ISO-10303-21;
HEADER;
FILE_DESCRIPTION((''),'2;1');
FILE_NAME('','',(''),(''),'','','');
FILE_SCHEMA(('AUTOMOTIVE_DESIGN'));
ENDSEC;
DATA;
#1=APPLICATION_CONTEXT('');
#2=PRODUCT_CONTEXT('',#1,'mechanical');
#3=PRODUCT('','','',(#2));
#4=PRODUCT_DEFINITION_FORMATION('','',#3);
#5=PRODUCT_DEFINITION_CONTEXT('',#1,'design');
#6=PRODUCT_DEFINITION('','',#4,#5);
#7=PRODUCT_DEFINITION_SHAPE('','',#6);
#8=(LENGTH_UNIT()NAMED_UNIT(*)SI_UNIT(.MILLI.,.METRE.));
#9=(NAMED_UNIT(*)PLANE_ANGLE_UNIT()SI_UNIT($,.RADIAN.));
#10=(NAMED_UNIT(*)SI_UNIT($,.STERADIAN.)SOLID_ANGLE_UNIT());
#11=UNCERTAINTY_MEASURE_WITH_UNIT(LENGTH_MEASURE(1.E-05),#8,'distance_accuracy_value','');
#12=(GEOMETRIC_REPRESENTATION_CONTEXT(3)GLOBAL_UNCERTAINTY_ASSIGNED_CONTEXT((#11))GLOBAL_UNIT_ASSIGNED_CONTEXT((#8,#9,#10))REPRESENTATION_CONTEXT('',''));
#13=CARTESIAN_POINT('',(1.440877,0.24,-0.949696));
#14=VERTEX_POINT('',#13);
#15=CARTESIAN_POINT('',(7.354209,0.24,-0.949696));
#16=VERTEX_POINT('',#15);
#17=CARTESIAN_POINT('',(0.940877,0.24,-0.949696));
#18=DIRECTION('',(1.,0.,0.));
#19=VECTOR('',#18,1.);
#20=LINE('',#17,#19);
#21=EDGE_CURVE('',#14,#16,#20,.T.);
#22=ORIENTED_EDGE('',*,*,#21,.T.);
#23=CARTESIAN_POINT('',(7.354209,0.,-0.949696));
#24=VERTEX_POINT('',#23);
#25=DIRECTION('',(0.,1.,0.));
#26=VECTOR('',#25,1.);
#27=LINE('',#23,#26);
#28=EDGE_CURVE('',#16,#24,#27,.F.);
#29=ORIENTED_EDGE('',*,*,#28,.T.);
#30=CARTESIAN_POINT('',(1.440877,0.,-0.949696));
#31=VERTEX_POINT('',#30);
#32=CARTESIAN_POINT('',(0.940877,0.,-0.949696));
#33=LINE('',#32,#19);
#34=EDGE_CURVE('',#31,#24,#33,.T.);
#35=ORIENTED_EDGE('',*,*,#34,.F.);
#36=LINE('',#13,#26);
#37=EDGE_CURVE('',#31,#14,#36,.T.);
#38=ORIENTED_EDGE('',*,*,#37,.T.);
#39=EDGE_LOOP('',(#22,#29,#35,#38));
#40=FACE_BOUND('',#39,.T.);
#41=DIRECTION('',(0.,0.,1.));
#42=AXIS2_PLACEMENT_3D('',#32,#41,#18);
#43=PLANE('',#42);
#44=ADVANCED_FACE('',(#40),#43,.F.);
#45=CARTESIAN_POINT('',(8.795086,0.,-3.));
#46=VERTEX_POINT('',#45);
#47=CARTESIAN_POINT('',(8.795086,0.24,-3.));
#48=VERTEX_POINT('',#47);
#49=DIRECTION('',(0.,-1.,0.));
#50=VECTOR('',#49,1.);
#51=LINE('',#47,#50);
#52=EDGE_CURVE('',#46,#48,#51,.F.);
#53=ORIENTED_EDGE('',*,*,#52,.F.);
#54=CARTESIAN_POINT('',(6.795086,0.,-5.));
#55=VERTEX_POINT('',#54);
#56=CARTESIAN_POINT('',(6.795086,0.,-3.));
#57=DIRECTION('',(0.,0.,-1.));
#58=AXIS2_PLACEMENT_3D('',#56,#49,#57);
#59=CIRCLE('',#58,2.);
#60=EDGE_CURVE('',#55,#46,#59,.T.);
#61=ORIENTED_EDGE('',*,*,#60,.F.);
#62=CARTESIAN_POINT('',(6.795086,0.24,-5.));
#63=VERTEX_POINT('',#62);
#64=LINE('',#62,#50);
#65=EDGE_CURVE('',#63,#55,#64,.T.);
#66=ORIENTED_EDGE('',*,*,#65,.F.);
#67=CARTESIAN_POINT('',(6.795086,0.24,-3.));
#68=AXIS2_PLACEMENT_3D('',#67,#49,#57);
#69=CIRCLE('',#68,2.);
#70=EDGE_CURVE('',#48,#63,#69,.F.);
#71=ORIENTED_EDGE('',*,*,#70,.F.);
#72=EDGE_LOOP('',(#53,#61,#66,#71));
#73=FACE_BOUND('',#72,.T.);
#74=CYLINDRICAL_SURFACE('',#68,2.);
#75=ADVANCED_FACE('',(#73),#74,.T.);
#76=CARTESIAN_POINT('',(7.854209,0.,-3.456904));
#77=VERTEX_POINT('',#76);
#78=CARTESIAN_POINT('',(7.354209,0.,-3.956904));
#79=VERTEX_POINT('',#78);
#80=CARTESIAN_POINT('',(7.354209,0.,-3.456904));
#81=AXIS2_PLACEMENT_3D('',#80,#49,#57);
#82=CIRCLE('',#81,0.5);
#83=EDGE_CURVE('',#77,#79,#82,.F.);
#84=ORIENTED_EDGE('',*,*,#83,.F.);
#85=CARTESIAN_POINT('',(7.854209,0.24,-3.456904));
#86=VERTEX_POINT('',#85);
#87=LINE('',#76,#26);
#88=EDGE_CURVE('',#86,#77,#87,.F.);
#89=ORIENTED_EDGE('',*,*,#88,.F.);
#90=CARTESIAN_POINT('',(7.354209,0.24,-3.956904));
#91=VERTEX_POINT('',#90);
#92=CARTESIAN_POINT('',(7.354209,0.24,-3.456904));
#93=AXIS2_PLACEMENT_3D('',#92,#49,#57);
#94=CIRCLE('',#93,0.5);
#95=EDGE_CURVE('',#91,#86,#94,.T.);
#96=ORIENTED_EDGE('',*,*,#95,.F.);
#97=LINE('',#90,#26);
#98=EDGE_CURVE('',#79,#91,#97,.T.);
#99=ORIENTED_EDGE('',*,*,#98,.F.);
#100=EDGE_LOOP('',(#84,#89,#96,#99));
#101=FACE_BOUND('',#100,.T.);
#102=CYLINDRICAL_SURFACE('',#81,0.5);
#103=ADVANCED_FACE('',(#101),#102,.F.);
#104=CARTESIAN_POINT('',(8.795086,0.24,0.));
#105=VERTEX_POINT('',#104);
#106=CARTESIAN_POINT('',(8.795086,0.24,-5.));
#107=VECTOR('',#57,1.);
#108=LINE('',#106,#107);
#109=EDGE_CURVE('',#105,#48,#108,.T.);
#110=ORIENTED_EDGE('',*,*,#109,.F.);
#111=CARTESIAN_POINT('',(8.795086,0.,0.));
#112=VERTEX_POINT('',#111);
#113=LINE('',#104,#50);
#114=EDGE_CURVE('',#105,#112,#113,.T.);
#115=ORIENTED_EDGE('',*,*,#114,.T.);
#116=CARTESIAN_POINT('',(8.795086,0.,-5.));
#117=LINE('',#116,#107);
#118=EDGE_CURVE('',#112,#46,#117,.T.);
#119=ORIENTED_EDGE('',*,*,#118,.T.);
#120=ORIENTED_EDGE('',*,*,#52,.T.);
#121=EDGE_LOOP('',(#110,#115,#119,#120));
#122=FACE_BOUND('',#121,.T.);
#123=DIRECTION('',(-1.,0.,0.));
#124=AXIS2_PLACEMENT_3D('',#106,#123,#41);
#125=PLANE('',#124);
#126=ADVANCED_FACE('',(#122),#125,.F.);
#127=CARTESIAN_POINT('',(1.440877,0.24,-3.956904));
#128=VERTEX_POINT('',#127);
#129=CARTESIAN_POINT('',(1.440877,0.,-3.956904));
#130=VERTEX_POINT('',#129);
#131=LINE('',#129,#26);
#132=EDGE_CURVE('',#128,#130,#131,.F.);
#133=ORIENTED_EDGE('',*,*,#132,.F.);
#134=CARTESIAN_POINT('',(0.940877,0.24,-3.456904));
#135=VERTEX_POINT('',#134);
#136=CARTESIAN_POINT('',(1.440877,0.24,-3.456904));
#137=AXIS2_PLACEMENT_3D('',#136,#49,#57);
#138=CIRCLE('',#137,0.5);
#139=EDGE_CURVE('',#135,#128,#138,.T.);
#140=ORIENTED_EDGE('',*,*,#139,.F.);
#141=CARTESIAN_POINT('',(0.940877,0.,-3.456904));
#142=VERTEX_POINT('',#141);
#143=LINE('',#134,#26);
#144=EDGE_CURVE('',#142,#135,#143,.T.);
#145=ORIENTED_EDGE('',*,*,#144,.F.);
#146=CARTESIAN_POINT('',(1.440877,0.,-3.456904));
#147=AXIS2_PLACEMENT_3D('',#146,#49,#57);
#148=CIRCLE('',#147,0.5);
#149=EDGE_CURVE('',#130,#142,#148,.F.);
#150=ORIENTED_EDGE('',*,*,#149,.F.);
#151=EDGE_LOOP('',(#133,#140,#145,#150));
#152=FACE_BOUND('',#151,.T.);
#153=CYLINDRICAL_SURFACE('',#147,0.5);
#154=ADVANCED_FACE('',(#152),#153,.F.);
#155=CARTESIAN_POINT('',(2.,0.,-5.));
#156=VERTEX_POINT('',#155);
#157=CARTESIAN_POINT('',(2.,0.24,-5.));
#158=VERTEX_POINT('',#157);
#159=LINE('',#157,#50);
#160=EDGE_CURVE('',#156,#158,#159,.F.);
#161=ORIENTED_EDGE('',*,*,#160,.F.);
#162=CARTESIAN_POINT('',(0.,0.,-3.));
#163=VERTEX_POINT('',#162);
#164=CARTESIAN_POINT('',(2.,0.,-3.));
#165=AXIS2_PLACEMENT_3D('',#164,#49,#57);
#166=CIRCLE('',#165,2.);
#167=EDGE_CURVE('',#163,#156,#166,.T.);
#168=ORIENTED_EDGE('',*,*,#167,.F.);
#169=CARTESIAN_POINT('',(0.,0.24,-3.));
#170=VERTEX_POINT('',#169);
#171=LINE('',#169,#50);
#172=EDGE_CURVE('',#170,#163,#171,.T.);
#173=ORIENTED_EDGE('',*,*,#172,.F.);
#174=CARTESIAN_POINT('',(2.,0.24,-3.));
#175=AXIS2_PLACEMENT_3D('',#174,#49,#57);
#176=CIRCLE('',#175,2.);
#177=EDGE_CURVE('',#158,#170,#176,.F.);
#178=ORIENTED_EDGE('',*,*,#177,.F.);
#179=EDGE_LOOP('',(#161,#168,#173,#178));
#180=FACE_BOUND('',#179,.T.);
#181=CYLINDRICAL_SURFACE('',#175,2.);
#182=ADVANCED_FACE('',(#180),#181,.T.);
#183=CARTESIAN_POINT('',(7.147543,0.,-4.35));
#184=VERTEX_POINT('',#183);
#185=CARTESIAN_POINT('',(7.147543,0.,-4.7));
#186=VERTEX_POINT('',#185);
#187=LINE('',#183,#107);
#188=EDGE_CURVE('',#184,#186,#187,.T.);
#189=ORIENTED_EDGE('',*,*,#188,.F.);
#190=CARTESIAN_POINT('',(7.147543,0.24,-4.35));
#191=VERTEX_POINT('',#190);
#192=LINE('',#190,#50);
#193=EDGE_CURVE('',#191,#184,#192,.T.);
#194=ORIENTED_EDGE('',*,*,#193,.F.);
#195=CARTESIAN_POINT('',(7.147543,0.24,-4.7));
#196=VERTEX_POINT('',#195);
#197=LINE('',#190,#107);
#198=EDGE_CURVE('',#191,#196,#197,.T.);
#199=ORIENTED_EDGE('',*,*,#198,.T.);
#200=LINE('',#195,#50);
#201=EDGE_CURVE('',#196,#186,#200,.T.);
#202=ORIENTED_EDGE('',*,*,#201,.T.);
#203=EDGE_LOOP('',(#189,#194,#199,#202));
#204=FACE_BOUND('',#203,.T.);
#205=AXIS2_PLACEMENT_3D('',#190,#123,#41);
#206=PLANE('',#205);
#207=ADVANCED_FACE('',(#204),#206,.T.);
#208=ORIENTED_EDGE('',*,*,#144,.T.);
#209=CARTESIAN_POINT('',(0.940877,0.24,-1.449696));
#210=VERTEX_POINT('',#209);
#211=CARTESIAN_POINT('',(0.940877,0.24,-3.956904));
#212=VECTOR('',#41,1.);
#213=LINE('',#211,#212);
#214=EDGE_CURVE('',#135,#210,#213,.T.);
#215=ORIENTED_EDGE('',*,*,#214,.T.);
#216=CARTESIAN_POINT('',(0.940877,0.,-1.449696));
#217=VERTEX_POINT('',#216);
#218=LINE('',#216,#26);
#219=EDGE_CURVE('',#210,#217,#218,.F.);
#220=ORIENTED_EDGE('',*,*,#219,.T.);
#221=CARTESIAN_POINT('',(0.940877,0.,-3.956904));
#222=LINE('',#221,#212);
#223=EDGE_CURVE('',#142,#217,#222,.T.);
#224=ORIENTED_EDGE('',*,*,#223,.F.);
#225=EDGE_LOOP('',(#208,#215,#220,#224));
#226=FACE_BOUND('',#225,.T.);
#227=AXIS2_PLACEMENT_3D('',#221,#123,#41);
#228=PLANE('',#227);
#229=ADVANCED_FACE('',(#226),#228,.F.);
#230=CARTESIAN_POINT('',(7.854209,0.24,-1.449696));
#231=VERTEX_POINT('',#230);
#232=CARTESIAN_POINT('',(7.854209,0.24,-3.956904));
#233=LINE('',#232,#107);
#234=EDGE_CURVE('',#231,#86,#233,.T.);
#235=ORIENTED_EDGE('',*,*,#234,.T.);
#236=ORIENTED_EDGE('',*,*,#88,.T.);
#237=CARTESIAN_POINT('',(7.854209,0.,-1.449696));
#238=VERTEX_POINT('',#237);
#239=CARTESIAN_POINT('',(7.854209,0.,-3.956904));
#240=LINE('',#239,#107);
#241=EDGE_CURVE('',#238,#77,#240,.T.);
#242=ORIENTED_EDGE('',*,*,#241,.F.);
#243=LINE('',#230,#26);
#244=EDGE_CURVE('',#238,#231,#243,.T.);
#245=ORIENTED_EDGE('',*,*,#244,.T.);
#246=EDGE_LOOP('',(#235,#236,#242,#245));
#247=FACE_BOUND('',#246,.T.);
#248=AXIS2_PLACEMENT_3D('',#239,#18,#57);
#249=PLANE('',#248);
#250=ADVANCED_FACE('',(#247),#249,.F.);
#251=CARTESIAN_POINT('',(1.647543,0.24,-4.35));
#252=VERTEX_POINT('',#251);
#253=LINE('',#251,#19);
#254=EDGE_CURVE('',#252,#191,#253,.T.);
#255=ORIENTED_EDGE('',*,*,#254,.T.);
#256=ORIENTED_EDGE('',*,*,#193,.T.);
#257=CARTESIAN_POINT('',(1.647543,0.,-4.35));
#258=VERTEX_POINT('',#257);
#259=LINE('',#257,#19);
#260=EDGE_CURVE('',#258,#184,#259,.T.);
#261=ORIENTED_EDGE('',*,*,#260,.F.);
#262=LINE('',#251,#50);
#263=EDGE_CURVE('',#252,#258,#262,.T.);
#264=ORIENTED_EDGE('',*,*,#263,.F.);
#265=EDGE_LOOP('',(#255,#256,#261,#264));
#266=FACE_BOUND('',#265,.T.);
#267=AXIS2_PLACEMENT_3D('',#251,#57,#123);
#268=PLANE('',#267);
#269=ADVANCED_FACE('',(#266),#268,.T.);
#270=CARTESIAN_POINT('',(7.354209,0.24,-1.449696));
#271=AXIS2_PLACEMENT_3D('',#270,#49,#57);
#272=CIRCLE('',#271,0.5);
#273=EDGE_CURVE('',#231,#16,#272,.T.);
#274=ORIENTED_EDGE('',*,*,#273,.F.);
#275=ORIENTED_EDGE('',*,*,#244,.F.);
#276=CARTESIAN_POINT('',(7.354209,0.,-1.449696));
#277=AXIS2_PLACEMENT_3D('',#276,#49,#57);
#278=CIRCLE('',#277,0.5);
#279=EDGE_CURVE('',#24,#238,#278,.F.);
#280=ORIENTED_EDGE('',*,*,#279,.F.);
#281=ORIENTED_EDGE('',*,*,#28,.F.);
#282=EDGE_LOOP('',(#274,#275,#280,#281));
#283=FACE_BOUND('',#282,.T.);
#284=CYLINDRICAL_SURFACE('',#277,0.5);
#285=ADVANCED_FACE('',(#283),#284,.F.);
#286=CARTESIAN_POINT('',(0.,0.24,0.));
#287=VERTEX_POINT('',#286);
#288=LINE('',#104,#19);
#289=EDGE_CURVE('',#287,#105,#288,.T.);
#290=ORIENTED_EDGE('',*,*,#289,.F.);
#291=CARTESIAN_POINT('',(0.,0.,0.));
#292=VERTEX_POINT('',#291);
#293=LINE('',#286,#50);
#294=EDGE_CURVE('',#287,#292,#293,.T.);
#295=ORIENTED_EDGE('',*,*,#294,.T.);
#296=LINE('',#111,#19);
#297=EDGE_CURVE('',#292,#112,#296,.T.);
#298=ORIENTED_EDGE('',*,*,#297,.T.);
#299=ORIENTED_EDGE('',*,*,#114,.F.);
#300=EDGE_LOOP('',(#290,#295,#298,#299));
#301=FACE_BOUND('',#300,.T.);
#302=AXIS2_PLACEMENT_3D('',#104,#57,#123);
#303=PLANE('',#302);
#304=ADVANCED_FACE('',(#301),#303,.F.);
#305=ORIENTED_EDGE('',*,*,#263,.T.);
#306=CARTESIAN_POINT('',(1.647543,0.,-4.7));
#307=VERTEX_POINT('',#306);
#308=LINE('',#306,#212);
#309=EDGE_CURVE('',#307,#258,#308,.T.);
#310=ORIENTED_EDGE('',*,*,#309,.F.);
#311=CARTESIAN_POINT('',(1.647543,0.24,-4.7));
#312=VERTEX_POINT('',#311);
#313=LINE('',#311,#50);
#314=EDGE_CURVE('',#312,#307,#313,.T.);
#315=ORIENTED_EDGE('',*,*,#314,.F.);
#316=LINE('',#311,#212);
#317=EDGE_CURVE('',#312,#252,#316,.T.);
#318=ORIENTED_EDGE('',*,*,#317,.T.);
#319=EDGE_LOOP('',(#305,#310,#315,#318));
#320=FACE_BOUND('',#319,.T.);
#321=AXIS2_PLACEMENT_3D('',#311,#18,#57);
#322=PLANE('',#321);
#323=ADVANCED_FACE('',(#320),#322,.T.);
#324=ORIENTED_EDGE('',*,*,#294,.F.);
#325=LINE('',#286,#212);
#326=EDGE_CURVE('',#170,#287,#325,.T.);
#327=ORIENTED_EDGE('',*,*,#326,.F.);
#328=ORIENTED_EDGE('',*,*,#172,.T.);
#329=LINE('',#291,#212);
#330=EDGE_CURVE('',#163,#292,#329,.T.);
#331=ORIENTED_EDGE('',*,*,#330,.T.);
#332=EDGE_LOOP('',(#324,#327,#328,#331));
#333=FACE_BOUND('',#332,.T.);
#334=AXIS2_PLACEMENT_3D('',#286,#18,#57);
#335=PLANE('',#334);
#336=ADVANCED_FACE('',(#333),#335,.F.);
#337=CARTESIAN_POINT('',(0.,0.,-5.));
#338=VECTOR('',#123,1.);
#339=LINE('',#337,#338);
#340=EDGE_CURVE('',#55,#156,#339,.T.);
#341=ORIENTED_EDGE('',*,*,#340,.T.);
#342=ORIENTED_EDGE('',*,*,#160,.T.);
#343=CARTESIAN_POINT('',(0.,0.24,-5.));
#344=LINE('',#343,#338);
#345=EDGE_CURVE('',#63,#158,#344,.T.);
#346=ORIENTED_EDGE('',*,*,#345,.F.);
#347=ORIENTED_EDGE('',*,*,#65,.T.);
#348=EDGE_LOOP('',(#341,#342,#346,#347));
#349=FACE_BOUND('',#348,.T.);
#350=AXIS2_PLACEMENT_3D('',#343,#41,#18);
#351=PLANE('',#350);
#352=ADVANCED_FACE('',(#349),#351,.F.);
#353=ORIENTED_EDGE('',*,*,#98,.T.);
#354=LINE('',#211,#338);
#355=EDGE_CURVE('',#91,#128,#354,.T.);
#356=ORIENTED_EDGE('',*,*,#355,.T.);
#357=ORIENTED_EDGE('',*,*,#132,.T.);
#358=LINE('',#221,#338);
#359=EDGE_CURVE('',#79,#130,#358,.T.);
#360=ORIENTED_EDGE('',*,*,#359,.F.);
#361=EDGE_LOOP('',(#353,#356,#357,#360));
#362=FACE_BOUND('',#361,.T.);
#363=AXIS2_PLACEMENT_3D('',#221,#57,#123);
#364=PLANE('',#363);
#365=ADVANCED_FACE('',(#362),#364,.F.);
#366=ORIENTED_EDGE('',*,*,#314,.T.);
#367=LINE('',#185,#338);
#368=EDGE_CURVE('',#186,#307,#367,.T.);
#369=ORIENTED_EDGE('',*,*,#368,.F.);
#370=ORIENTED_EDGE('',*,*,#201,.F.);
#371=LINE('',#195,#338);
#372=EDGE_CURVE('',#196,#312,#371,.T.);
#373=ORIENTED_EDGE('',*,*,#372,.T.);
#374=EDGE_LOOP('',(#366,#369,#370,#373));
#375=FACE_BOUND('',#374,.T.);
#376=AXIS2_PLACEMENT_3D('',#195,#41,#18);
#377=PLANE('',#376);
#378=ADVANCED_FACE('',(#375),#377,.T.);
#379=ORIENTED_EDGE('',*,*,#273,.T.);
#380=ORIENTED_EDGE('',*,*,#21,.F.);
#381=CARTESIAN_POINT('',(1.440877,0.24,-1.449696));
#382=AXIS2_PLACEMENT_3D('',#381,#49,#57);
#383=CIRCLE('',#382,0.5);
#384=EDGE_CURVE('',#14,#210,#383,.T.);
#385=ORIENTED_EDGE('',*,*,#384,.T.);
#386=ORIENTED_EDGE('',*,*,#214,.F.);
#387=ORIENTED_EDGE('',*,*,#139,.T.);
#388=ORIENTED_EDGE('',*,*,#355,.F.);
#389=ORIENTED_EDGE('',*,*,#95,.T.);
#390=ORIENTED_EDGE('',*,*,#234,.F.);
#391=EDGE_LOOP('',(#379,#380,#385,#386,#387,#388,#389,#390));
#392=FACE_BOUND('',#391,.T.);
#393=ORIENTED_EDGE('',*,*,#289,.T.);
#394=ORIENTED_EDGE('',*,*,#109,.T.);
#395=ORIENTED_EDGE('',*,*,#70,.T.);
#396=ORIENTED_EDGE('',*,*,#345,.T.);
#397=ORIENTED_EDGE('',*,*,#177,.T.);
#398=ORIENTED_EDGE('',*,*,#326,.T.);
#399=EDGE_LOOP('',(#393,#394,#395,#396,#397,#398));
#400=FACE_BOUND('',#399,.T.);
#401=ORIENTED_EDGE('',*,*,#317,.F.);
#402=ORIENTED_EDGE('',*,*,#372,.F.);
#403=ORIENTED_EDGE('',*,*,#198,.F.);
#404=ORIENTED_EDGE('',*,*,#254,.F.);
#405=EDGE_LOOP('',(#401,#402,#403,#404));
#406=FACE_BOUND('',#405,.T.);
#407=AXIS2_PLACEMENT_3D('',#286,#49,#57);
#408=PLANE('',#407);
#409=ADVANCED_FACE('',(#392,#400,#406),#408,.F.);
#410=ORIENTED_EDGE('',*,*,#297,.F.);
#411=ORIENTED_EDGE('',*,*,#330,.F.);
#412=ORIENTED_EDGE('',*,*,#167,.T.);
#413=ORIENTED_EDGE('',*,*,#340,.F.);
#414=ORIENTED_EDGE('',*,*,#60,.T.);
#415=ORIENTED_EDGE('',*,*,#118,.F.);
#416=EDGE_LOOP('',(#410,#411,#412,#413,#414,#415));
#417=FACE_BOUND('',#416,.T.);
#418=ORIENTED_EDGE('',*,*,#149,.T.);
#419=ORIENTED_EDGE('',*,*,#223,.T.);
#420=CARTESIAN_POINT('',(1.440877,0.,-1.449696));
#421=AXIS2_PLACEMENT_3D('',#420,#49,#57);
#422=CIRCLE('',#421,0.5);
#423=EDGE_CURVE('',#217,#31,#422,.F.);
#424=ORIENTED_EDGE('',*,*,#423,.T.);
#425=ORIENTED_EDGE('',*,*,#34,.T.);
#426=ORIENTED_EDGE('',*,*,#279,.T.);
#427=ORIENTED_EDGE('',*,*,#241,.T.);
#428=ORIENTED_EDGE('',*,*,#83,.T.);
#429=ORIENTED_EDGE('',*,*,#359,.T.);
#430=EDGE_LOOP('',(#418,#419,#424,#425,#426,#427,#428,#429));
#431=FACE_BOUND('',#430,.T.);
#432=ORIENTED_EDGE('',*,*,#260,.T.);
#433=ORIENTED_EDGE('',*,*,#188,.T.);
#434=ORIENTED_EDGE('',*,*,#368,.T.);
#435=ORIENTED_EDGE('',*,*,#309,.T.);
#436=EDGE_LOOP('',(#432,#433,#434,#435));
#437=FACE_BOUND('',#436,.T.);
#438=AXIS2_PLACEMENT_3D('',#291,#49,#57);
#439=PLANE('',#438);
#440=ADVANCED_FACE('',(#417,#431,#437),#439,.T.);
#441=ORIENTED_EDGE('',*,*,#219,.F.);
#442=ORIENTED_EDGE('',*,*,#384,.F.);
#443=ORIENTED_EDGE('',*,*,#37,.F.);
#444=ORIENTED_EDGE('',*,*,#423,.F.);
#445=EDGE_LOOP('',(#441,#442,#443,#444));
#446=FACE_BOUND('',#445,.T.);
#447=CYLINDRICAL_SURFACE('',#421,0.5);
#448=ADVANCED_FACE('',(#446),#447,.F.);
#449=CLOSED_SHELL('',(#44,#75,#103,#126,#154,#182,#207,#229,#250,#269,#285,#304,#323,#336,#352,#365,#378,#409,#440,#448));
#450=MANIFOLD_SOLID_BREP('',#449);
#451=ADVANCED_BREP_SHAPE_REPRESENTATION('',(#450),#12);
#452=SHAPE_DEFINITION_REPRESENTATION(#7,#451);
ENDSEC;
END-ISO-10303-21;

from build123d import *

# Parameters (mm, degrees)
SKETCH1_W           = 8.795086316
SKETCH1_H           = 5
SKETCH1_W_2         = 5.5
SKETCH1_H_2         = 0.35
BOSS_EXTRUDE1_DEPTH = 0.24
FILLET1_R           = 2
SKETCH2_W           = 6.913332482
SKETCH2_H           = 3.007207861
CUT_EXTRUDE1_DEPTH  = 11.119839095
FILLET4_R           = 0.5


with BuildPart() as part:
    # Sketch1 → Boss-Extrude1 (new body)
    with BuildSketch(Plane(origin=(0, 0, 0), x_dir=(1, 0, 0), z_dir=(0, 1, 0))):
        with Locations((4.397543158, 2.5)):
            Rectangle(SKETCH1_W, SKETCH1_H)
        with Locations((4.397543158, 4.525)):
            Rectangle(SKETCH1_W_2, SKETCH1_H_2, mode=Mode.SUBTRACT)
    extrude(amount=BOSS_EXTRUDE1_DEPTH)

    # Fillet1
    fillet1_edges = [part.edges().sort_by_distance(p)[0] for p in [
        (0, 0.12, -5),
        (8.795086316, 0.12, -5),
    ]]
    fillet(fillet1_edges, radius=FILLET1_R)

    # Sketch2 → Cut-Extrude1 (cut, through all)
    with BuildSketch(Plane(origin=(0, 0.24, 0), x_dir=(1, 0, 0), z_dir=(0, 1, 0))):
        with Locations((4.397543158, 2.453300335)):
            Rectangle(SKETCH2_W, SKETCH2_H)
    extrude(amount=-CUT_EXTRUDE1_DEPTH, mode=Mode.SUBTRACT)

    # Fillet4
    fillet4_edges = [part.edges().sort_by_distance(p)[0] for p in [
        (0.940876917, 0.12, -0.949696404),
        (0.940876917, 0.12, -3.956904265),
        (7.854209399, 0.12, -3.956904265),
        (7.854209399, 0.12, -0.949696404),
    ]]
    fillet(fillet4_edges, radius=FILLET4_R)


solid = part.part
